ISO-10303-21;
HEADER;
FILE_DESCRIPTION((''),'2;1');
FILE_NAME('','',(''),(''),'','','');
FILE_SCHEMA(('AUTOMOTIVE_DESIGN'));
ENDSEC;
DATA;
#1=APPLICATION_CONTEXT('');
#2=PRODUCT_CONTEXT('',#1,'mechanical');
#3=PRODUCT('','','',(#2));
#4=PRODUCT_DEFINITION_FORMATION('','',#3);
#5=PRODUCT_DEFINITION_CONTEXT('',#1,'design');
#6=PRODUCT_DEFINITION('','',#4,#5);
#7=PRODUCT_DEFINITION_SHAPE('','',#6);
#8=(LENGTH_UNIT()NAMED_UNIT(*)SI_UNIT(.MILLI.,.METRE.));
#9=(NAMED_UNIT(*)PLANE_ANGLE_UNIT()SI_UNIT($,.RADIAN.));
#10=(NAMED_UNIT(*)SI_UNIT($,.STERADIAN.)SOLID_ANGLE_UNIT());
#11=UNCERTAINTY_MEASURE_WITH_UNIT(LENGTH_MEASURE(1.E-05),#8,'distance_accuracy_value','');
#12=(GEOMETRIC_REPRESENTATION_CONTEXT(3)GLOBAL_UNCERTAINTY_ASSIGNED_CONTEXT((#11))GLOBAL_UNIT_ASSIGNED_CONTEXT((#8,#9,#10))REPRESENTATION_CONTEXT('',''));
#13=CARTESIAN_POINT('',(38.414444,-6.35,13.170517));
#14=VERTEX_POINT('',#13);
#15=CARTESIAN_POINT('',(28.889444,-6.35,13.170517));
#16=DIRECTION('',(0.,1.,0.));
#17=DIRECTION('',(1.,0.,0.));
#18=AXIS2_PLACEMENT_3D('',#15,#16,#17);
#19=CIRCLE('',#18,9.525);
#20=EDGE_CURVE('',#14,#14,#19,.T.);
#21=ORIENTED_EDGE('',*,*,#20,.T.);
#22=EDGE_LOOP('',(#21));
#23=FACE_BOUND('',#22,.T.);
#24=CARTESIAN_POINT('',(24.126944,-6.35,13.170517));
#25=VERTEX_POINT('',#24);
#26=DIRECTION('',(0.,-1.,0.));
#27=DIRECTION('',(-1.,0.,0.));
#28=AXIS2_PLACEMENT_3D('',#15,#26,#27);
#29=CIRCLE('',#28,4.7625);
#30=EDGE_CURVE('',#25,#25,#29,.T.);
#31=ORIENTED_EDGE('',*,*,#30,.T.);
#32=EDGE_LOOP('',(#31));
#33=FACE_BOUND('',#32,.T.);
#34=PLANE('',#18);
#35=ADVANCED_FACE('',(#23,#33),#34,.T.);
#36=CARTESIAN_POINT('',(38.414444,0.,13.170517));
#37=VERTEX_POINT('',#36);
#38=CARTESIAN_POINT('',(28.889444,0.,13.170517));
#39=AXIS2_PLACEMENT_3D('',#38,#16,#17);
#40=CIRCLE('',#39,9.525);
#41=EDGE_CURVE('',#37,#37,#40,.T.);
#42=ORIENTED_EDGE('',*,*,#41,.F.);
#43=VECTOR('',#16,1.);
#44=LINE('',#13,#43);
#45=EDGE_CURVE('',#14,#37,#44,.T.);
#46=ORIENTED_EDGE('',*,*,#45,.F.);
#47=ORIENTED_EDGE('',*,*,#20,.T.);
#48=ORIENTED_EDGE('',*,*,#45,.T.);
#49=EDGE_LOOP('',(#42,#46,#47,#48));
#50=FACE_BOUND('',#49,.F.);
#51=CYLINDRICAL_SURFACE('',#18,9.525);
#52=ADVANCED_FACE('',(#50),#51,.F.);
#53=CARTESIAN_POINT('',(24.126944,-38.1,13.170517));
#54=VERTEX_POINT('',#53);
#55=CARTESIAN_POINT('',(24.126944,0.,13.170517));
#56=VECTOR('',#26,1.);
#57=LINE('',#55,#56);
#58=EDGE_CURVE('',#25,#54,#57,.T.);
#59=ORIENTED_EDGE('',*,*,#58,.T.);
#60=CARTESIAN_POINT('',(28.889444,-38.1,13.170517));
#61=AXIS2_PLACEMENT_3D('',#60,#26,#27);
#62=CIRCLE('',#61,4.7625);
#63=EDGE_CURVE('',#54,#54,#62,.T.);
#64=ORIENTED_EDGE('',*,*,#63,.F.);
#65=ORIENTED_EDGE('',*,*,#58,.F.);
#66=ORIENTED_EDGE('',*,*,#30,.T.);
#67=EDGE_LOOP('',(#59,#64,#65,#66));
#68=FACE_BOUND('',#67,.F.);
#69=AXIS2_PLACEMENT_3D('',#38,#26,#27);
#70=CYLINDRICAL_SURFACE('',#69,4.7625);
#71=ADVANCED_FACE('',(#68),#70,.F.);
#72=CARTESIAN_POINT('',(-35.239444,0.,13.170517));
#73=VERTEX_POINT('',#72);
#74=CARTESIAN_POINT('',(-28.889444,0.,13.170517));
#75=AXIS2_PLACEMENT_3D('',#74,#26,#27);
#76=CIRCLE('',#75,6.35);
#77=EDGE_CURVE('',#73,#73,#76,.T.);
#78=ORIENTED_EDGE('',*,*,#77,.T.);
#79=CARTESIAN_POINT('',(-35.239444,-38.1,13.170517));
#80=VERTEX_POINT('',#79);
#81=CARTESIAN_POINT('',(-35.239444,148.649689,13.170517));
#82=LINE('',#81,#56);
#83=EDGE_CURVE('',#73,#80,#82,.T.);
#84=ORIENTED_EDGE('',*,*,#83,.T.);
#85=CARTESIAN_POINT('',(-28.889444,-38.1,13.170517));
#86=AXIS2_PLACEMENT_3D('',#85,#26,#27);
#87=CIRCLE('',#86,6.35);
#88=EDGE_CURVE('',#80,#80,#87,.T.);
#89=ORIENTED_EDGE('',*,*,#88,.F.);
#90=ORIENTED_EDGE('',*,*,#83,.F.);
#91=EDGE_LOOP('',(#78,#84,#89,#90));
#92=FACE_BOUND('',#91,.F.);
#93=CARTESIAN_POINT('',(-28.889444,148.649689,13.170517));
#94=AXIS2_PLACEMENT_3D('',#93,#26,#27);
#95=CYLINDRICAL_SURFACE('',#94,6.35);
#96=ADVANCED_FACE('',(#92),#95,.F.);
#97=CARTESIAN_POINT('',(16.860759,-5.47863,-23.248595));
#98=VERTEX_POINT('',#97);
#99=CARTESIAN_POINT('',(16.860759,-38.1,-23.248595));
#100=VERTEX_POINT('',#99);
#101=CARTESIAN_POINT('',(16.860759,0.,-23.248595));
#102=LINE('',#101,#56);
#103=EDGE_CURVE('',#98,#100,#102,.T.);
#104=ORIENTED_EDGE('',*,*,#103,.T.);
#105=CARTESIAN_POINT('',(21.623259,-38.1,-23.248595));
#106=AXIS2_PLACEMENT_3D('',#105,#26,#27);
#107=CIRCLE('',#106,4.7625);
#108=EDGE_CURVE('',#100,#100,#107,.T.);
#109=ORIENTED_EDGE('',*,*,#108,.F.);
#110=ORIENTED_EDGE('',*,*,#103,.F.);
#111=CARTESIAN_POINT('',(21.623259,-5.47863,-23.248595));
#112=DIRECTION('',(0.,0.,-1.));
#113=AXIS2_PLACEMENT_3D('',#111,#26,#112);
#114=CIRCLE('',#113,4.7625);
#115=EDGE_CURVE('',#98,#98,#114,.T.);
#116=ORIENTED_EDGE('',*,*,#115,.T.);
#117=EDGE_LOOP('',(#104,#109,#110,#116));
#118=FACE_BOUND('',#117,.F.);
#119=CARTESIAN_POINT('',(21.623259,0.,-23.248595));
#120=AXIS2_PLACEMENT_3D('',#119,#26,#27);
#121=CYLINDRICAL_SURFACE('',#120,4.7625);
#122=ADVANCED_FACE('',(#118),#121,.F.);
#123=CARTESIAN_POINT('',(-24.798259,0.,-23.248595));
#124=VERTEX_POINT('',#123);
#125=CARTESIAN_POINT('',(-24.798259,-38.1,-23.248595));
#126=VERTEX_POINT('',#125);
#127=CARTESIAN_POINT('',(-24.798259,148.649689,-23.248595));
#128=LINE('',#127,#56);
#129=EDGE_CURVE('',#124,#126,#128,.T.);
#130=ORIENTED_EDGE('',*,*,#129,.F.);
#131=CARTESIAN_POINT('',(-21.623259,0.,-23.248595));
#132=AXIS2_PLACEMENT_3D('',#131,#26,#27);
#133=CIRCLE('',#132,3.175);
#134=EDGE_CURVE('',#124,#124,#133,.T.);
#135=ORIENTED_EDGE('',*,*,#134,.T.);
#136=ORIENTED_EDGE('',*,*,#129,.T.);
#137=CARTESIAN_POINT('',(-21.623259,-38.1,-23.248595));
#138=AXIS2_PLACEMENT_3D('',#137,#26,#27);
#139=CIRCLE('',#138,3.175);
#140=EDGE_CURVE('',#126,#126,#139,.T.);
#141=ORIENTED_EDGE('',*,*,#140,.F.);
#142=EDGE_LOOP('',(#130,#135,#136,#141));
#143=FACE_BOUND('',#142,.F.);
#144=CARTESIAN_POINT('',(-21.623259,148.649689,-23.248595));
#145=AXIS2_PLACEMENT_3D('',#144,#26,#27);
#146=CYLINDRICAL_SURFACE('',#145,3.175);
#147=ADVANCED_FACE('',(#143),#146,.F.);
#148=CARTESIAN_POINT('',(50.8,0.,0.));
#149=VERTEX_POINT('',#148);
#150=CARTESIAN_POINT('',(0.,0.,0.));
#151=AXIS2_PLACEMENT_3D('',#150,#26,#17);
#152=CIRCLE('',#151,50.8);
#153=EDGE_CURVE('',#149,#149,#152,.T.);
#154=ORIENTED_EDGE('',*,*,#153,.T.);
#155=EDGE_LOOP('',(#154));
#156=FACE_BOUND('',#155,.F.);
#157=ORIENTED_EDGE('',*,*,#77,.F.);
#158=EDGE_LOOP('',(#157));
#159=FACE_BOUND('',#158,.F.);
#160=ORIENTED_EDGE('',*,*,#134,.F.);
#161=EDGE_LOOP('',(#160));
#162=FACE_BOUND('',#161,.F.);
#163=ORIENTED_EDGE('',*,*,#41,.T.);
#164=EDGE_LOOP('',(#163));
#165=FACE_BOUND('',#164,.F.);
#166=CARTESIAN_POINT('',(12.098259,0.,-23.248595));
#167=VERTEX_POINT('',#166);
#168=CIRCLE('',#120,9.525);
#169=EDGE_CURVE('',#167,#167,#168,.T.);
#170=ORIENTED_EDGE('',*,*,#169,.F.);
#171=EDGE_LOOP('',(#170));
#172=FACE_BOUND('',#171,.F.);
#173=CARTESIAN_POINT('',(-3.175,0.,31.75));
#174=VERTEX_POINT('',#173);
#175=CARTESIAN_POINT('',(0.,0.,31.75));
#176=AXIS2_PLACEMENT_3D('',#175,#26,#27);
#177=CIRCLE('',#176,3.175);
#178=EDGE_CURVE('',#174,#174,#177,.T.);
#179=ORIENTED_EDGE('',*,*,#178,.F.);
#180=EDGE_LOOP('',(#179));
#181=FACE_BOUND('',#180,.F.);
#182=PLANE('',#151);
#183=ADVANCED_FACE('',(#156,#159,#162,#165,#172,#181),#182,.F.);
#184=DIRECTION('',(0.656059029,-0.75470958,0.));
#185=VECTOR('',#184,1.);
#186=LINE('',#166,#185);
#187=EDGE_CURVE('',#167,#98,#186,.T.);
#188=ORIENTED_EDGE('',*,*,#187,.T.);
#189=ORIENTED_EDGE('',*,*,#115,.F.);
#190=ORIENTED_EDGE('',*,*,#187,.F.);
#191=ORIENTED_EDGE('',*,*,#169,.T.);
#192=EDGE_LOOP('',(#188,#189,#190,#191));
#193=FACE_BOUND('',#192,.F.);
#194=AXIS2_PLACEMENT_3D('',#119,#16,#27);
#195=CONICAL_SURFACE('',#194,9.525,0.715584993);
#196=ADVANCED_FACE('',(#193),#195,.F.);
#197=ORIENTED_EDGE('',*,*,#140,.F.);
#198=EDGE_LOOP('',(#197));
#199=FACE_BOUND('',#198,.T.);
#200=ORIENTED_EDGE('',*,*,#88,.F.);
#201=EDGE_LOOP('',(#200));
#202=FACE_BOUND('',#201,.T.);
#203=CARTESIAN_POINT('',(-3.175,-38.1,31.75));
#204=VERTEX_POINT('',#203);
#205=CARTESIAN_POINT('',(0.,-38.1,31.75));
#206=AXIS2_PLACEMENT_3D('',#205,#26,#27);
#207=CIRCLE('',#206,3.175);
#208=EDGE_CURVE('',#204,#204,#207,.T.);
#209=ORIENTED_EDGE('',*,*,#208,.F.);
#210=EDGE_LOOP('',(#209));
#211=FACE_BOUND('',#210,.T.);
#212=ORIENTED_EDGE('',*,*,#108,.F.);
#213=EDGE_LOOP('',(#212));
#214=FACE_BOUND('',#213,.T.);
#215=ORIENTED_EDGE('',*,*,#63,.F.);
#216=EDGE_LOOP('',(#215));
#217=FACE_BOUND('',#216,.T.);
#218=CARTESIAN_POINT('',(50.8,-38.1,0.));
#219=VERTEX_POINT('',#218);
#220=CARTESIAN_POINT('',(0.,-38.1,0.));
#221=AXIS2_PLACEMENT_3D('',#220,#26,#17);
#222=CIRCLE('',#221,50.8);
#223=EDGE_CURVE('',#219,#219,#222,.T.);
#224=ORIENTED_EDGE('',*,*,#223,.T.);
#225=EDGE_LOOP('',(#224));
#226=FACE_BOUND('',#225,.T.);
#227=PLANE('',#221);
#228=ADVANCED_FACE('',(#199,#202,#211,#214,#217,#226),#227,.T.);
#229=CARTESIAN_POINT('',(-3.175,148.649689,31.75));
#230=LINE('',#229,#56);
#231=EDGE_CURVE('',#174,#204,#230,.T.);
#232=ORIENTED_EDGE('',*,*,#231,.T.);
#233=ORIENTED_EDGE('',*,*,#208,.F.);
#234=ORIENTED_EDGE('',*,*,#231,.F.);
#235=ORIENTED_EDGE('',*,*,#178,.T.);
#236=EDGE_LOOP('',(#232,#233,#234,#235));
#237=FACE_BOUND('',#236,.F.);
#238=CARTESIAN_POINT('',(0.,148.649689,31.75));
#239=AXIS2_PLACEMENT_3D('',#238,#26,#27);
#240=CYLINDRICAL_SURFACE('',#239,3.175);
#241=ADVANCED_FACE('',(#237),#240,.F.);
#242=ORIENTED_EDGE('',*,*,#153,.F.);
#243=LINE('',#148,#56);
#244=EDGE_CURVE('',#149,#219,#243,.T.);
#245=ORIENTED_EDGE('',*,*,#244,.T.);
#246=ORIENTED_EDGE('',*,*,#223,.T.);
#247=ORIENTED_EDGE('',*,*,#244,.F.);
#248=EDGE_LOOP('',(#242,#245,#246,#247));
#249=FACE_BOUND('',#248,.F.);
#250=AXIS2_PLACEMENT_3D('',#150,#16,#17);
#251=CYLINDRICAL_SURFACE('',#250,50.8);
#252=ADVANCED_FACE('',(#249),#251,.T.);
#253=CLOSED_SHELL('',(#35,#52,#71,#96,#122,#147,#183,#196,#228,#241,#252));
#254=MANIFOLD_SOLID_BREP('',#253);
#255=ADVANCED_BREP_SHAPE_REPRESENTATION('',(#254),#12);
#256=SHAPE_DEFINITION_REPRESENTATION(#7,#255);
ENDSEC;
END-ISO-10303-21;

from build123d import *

# Parameters (mm, degrees)
F0_R           = 50.8
F1_DEPTH       = 38.1
F3_D           = 6.35
F4_D           = 12.7
F5_D           = 9.525
F5_CBORE_D     = 19.05
F5_CBORE_DEPTH = 6.35
F6_D           = 9.525
F6_CSINK_D     = 19.05
F6_CSINK_ANGLE = 82
F7_D           = 6.35


with BuildPart() as f1:
    # F0 (on Front) → F1 (new body)
    with BuildSketch(Plane.XZ):
        Circle(F0_R)
    extrude(amount=F1_DEPTH)

    # F3 (through all)
    with Locations(Plane(origin=(0, 0, 0), x_dir=(1, 0, 0), z_dir=(0, 1, 0))):
        with Locations((0, -31.75)):
            Hole(F3_D / 2)

    # F4 (through all)
    with Locations(Plane(origin=(0, 0, 0), x_dir=(1, 0, 0), z_dir=(0, 1, 0))):
        with Locations((-28.8894439592, -13.1705173676)):
            Hole(F4_D / 2)

    # F5 (through all)
    with Locations(Plane(origin=(0, 0, 0), x_dir=(1, 0, 0), z_dir=(0, 1, 0))):
        with Locations((28.8894439592, -13.1705173676)):
            CounterBoreHole(F5_D / 2, F5_CBORE_D / 2, F5_CBORE_DEPTH)

    # F6 (through all)
    with Locations(Plane(origin=(0, 0, 0), x_dir=(1, 0, 0), z_dir=(0, 1, 0))):
        with Locations((21.623259188, 23.2485948412)):
            CounterSinkHole(F6_D / 2, F6_CSINK_D / 2, counter_sink_angle=F6_CSINK_ANGLE)

    # F7 (through all)
    with Locations(Plane(origin=(0, 0, 0), x_dir=(1, 0, 0), z_dir=(0, 1, 0))):
        with Locations((-21.623259188, 23.2485948412)):
            Hole(F7_D / 2)


solid = f1.part
